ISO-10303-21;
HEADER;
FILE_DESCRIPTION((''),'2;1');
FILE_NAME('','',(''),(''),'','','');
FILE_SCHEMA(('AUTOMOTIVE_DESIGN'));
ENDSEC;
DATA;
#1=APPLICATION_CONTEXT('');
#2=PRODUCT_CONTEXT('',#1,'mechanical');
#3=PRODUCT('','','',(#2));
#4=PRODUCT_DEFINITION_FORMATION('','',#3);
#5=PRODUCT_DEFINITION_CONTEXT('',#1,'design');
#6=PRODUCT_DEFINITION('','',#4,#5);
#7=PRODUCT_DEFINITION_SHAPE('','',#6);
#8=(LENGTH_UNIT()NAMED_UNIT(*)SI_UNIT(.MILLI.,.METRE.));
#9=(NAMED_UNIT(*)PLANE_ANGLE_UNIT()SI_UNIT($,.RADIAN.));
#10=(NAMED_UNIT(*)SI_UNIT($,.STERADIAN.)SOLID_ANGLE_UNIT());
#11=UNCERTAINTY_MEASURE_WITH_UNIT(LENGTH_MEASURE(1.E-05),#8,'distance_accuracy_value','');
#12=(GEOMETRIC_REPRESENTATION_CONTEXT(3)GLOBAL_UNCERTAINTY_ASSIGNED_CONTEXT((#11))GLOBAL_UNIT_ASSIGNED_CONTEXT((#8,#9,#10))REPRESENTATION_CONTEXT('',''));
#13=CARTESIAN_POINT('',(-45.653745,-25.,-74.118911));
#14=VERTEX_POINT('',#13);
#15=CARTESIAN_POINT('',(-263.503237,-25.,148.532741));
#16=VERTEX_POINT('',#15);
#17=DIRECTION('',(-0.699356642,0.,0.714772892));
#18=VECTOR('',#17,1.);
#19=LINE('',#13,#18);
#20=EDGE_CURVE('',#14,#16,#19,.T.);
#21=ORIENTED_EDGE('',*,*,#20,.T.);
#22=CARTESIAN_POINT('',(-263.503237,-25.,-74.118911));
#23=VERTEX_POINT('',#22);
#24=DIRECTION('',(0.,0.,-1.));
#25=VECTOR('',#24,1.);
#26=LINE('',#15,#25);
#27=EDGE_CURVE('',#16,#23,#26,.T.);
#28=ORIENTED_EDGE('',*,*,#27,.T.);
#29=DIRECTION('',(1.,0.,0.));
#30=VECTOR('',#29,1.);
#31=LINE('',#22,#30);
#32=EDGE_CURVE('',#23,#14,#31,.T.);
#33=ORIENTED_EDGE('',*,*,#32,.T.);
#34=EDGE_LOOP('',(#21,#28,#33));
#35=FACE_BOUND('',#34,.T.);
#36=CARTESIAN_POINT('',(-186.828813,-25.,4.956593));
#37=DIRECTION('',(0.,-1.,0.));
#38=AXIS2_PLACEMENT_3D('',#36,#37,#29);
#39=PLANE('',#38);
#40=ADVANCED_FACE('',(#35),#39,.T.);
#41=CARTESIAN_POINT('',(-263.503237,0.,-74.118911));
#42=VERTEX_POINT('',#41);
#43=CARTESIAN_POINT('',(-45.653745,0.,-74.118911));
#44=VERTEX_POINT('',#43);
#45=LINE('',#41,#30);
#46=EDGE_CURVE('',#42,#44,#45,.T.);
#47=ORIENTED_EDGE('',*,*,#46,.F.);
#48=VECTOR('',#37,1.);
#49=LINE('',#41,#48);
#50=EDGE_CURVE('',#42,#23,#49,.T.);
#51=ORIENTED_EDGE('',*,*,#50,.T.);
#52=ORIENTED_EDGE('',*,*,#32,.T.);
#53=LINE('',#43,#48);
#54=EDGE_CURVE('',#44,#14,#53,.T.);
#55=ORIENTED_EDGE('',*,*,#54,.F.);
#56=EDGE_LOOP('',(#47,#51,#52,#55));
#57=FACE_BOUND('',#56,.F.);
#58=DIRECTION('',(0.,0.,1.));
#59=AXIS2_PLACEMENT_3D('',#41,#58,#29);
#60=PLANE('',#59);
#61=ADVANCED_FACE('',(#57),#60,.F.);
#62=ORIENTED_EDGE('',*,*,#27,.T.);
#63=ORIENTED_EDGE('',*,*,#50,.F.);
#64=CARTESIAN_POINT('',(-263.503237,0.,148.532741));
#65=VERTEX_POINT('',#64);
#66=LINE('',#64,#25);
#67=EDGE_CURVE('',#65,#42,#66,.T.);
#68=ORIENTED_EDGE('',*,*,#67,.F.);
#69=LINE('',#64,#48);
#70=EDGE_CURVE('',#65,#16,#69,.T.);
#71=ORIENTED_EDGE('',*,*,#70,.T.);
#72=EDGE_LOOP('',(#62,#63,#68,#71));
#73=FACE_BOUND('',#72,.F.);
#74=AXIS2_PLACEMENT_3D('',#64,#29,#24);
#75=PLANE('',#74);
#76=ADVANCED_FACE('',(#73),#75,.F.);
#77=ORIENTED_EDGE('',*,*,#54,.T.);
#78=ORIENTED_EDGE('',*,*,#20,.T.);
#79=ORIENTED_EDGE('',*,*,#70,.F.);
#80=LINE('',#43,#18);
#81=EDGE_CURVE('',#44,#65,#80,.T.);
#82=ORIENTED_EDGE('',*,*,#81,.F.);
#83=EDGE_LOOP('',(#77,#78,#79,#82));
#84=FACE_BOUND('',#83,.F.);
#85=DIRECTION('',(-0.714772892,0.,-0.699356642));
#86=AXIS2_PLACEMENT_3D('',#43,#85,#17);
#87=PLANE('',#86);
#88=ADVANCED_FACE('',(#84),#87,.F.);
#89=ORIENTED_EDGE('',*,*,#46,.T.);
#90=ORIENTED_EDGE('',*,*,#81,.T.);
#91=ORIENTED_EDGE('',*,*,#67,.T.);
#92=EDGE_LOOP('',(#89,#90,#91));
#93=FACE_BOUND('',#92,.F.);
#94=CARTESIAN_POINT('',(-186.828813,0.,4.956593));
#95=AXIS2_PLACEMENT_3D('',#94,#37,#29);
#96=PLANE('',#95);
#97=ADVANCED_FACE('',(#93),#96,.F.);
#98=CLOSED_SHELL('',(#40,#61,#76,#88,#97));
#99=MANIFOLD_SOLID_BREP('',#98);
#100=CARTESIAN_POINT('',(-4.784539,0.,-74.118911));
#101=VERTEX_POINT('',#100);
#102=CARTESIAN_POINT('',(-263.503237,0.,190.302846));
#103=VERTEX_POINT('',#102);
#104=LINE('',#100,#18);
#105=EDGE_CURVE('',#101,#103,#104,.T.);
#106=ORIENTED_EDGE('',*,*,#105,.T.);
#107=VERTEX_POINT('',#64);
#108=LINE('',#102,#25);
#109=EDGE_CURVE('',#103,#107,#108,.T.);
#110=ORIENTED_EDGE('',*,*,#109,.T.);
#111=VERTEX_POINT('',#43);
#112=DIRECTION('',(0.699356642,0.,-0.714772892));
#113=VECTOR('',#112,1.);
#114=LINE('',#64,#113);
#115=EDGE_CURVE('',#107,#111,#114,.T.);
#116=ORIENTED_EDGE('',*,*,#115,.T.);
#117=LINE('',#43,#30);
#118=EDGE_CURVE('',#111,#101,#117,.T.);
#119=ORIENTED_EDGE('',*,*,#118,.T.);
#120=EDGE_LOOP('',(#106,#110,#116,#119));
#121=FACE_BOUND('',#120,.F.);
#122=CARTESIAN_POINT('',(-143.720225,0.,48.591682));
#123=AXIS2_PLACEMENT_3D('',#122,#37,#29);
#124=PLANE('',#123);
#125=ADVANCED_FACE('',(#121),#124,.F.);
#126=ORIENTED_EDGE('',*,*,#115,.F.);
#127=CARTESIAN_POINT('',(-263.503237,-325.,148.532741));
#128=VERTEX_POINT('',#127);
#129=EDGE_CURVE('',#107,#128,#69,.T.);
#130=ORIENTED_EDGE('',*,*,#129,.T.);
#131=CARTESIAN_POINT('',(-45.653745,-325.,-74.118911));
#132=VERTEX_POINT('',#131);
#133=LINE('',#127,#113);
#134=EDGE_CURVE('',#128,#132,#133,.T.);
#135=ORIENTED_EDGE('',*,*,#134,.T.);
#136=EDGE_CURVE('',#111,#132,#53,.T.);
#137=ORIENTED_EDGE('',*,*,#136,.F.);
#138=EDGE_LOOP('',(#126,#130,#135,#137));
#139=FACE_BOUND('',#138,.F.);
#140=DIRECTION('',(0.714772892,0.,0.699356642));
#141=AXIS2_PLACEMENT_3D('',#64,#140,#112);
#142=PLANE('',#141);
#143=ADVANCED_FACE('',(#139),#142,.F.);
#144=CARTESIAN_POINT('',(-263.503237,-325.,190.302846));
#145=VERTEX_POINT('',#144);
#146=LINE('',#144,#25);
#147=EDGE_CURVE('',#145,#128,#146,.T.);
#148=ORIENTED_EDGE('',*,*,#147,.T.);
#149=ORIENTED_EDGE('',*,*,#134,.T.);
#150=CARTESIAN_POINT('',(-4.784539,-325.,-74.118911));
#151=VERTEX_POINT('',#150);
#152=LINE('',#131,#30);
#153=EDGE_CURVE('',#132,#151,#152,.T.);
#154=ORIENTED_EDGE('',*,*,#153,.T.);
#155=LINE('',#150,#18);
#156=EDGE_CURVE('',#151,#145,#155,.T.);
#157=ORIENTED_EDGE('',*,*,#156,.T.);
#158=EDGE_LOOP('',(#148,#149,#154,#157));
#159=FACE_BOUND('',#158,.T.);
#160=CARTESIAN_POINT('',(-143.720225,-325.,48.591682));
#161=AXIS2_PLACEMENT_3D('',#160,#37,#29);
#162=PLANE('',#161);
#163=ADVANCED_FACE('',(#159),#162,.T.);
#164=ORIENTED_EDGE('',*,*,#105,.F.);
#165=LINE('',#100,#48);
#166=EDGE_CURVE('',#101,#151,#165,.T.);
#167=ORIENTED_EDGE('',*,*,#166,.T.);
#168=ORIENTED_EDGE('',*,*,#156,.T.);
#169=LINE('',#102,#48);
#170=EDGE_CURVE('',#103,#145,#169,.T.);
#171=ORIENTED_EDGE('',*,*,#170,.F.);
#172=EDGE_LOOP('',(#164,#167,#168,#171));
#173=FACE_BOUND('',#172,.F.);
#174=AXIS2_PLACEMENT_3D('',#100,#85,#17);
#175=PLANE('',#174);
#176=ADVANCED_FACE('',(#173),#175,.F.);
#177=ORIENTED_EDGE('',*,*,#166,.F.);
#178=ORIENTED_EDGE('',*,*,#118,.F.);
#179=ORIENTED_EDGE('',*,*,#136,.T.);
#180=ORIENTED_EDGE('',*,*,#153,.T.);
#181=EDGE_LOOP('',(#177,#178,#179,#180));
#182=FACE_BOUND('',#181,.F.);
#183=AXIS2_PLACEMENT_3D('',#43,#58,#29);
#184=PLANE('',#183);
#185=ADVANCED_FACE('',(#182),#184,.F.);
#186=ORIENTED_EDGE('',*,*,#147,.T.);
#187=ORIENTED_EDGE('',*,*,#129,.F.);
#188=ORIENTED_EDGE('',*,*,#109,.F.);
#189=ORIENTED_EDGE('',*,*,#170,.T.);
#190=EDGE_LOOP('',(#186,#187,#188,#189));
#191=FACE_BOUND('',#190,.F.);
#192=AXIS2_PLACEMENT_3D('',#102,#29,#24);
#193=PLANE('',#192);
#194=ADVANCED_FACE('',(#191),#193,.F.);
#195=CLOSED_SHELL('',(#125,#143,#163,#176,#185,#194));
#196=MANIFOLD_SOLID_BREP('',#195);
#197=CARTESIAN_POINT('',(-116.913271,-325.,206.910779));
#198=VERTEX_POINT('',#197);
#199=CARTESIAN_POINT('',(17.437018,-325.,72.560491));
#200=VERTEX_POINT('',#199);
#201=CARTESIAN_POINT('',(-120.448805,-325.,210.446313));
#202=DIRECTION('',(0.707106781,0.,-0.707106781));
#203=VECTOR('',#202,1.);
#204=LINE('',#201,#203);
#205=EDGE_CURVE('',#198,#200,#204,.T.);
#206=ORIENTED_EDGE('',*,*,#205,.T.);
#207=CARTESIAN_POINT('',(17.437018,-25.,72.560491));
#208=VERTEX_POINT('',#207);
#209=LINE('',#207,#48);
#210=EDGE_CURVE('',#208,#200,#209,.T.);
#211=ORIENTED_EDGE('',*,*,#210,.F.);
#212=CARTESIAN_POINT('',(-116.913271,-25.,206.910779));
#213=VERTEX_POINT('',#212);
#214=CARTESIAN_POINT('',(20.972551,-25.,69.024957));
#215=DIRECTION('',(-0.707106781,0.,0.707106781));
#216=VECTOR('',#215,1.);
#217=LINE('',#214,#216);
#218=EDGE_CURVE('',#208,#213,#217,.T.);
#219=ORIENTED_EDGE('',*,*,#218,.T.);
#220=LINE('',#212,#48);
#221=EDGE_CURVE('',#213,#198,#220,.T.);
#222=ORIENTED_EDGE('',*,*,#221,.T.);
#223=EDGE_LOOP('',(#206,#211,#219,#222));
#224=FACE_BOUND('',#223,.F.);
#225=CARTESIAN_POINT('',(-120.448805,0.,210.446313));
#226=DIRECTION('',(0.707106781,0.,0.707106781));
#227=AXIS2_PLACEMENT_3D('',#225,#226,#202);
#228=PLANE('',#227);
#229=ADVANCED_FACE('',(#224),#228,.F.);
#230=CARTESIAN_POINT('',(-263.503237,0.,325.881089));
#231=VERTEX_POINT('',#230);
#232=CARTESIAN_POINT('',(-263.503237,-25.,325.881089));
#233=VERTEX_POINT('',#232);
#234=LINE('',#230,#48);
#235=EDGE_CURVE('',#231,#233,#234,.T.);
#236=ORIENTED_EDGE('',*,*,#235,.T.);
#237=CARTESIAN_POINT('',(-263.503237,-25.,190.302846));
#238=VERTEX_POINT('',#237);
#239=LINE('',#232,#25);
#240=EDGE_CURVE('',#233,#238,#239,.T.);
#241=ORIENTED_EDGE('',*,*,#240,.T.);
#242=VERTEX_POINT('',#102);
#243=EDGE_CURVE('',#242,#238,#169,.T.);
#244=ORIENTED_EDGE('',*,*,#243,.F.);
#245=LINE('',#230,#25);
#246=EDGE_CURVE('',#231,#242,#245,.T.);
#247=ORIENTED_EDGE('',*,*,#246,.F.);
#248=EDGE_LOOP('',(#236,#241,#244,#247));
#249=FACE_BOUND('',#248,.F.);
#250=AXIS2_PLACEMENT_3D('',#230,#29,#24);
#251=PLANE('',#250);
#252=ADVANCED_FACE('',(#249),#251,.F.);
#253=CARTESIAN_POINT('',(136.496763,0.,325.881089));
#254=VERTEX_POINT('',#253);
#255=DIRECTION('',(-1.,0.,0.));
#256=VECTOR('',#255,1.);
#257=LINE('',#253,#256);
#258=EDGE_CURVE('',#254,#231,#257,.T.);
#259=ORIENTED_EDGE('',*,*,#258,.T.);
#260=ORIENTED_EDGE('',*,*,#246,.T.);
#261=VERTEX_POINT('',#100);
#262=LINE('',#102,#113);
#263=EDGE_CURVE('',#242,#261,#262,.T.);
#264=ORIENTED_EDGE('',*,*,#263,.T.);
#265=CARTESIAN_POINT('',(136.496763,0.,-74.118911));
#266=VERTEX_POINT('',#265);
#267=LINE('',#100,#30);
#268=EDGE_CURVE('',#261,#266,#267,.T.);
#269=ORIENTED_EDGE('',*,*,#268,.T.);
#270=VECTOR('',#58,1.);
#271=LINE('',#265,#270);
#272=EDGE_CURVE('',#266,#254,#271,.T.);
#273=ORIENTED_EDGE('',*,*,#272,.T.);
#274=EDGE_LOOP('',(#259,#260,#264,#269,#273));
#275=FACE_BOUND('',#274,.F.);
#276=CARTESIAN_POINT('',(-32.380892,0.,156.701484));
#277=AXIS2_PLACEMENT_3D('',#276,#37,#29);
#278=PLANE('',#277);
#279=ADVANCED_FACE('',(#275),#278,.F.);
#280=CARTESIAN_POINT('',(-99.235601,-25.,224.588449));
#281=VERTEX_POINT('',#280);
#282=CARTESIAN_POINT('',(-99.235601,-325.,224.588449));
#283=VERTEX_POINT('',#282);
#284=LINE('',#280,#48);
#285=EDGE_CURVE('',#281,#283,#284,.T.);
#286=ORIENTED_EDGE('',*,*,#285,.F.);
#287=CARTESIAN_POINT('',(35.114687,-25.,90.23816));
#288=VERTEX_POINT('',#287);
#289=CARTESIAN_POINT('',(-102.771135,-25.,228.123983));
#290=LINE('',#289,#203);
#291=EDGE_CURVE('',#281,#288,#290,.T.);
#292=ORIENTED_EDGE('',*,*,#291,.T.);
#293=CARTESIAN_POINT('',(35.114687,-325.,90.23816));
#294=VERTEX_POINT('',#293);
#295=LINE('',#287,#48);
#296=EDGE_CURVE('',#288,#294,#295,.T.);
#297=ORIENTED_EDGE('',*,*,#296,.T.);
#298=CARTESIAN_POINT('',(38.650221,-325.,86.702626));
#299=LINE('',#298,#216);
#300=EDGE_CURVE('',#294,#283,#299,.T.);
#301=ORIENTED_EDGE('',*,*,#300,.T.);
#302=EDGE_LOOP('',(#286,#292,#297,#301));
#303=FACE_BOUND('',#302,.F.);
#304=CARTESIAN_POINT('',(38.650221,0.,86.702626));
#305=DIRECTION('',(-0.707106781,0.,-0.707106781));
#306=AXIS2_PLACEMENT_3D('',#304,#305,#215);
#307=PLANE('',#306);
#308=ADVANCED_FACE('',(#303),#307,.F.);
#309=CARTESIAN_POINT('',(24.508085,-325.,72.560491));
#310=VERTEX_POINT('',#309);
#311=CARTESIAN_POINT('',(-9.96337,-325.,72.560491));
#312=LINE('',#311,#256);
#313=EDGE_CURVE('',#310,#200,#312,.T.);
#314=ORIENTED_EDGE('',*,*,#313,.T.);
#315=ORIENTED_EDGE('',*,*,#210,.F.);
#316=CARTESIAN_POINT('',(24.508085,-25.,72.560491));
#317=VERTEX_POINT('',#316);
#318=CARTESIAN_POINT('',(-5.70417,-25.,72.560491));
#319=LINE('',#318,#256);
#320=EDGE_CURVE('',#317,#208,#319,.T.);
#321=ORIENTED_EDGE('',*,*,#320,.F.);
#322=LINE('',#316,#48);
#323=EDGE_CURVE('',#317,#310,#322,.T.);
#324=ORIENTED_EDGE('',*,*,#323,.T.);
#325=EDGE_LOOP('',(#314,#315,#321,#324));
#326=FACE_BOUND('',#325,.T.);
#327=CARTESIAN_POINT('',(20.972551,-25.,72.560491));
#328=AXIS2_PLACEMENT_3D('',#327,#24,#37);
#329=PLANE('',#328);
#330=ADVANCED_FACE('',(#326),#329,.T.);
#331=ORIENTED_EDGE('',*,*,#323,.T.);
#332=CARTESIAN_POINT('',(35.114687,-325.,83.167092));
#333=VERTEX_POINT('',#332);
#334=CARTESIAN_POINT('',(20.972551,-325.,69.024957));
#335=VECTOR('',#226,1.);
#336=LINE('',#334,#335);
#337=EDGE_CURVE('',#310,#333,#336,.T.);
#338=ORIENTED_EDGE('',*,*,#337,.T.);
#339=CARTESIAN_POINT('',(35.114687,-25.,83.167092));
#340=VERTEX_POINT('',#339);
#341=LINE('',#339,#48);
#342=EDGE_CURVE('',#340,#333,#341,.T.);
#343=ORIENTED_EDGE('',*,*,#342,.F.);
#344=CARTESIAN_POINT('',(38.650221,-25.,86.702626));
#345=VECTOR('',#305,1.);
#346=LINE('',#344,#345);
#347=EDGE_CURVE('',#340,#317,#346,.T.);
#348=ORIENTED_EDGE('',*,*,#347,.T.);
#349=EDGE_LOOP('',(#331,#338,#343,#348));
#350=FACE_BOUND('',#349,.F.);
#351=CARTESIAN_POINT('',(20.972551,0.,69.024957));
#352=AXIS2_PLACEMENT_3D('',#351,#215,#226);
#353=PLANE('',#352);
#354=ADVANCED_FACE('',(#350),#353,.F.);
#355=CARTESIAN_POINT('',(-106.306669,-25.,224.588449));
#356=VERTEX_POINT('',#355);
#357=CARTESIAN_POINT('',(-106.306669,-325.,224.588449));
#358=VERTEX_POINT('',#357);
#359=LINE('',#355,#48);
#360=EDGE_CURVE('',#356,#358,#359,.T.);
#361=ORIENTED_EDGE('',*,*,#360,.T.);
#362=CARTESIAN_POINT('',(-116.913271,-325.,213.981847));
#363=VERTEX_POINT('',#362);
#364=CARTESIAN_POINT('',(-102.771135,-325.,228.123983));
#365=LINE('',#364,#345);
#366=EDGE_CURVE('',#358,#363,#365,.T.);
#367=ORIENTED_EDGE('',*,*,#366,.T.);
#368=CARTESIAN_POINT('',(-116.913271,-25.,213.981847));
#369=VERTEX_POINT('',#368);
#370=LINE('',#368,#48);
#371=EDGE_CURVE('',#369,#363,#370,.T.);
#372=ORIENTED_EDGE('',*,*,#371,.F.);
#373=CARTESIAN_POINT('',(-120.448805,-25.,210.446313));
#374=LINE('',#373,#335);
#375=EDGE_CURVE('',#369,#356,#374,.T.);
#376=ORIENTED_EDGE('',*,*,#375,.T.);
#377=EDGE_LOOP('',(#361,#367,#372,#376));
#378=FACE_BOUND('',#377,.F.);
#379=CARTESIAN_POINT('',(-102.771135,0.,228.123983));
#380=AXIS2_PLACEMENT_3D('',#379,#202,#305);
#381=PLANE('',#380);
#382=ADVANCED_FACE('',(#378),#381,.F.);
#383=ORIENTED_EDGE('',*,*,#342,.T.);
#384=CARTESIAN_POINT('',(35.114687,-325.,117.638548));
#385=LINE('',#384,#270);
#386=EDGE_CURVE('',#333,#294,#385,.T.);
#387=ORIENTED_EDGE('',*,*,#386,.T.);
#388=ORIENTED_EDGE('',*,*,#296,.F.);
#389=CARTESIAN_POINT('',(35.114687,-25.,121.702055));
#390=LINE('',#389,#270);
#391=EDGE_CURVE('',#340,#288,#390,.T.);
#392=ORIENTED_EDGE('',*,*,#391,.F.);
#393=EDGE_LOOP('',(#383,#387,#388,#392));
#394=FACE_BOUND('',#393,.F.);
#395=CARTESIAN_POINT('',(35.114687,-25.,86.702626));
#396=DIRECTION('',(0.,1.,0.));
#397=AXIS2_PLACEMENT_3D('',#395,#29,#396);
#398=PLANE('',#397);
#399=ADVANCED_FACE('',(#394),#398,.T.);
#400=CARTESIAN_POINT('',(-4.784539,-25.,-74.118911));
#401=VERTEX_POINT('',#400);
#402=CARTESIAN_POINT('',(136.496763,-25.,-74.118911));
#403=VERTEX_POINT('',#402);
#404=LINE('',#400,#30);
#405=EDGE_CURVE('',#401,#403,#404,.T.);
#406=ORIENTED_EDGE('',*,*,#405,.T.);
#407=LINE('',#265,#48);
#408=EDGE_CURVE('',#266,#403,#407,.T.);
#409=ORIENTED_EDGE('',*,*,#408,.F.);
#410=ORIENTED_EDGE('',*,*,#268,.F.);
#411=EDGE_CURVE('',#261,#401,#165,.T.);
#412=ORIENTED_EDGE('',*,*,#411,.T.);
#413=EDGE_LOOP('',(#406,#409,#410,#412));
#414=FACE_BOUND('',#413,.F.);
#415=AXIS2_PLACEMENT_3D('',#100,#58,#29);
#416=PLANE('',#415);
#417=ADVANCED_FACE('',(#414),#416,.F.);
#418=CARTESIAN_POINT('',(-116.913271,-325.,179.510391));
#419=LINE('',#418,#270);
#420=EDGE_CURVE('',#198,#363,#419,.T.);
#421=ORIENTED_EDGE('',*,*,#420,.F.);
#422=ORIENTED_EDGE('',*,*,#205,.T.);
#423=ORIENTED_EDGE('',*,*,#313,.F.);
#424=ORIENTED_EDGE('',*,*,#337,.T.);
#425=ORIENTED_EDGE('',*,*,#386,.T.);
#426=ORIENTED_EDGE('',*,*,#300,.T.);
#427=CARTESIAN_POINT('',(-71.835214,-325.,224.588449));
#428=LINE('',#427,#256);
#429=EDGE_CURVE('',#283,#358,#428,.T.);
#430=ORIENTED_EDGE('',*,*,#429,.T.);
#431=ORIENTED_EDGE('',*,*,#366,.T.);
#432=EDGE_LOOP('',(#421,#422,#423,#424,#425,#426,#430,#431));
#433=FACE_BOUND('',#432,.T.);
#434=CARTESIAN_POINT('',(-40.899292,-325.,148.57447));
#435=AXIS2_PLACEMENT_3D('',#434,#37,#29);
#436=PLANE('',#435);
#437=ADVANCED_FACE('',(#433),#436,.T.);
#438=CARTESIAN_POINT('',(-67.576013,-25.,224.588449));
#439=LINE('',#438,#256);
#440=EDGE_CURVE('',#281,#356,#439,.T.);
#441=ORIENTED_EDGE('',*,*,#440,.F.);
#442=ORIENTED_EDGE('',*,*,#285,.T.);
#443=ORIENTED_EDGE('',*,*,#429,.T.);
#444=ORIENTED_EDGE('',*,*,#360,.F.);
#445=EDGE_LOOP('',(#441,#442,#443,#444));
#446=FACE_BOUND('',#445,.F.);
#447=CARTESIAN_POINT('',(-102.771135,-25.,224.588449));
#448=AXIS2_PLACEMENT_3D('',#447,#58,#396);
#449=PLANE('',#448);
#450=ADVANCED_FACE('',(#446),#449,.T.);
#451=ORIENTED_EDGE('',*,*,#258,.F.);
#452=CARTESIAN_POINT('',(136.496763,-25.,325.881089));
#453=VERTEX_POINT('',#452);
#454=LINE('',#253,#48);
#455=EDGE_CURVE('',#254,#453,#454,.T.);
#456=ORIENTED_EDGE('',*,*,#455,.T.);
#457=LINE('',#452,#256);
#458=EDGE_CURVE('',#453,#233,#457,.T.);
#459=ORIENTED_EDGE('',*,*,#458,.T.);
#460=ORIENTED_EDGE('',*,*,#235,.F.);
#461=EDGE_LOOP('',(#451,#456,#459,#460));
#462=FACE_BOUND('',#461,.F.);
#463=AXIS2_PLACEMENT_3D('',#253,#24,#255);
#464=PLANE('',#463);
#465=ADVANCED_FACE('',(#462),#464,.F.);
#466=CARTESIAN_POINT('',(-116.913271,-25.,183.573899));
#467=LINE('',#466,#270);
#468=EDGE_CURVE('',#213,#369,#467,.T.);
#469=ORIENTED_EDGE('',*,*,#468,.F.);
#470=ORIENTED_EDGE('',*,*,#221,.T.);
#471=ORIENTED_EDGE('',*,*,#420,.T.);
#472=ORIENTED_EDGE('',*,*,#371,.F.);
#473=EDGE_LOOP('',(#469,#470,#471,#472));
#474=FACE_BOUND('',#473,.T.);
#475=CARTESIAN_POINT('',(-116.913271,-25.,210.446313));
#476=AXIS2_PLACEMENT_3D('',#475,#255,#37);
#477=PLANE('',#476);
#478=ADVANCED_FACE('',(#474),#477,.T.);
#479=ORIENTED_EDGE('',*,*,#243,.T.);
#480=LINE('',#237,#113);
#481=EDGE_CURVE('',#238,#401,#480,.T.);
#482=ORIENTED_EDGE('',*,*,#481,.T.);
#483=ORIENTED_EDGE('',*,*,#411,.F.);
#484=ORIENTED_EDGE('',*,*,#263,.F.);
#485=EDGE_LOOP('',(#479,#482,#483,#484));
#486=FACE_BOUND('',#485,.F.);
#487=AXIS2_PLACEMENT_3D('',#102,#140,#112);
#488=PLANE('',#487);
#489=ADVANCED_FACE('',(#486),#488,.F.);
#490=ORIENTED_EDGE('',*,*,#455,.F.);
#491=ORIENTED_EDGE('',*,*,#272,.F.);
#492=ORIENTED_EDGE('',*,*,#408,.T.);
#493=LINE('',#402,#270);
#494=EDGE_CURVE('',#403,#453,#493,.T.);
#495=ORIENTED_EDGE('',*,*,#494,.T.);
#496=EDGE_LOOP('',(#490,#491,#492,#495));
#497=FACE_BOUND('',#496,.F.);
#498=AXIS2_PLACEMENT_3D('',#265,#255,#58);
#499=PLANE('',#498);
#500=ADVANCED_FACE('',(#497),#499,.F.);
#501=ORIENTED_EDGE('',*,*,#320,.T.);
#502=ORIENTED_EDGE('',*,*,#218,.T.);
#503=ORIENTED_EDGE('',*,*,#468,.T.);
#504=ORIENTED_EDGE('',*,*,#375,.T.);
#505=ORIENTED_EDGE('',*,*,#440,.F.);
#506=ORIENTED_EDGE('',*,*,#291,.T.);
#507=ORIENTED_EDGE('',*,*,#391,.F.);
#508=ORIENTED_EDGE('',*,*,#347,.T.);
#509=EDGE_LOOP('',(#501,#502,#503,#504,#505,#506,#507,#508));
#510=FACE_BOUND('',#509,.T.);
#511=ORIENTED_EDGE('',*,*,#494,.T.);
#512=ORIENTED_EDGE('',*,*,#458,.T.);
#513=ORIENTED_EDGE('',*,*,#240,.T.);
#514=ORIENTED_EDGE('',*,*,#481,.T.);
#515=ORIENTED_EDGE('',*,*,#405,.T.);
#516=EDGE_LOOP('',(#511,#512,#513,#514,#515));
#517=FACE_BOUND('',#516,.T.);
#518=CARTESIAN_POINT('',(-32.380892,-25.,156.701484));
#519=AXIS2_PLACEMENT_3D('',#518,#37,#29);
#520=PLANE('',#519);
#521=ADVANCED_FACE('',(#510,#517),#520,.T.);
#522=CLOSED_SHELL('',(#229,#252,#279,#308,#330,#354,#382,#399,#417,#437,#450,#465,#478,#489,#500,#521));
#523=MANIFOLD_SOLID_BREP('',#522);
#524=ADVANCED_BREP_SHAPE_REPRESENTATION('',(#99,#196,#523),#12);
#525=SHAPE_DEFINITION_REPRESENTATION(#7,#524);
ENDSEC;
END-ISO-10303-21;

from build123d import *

# Parameters (mm, degrees)
F1_DEPTH = 25
F2_DEPTH = 325
F3_DEPTH = 325
F4_SIZE  = 5


with BuildPart() as f1:
    # F0 (on Front) → F1 (new body)
    with BuildSketch(Plane.XZ):
        Polygon((136.4967631549, 325.8810894129), (-263.5032368451, 325.8810894129), (-263.5032368451, 190.3028462152), (-4.7845391905, -74.1189105871), (136.4967631549, -74.1189105871), (136.4967631549, -51.7552420497), align=None)
        Polygon((-102.7711352796, 228.1239825229), (38.6502209577, 86.7026262856), (20.972551428, 69.0249567559), (-120.4488048093, 210.4463129933), align=None, mode=Mode.SUBTRACT)
    extrude(amount=F1_DEPTH)

    # F0 (on Front) → F3 (join)
    with BuildSketch(Plane.XZ):
        Polygon((20.972551428, 69.0249567559), (38.6502209577, 86.7026262856), (-102.7711352796, 228.1239825229), (-120.4488048093, 210.4463129933), align=None)
    extrude(amount=F3_DEPTH)

    # F4
    f4_edges = [f1.edges().sort_by_distance(p)[0] for p in [
        (38.650221, -175, 86.702626),
        (20.972551, -175, 69.024957),
        (-102.771135, -175, 228.123983),
        (-120.448805, -175, 210.446313),
    ]]
    chamfer(f4_edges, length=F4_SIZE)


with BuildPart() as f1b:
    # F0 (on Front) → F1, piece 2 (new body)
    with BuildSketch(Plane.XZ):
        Polygon((-152.1320251086, 34.7065203477), (-263.5032368451, 148.5327406076), (-263.5032368451, -74.1189105871), (-45.6537454706, -74.1189105871), align=None)
    extrude(amount=F1_DEPTH)


with BuildPart() as f2:
    # F0 (on Front) → F2 (new body)
    with BuildSketch(Plane.XZ):
        Polygon((-4.7845391905, -74.1189105871), (-263.5032368451, 190.3028462152), (-263.5032368451, 148.5327406076), (-152.1320251086, 34.7065203477), (-45.6537454706, -74.1189105871), align=None)
    extrude(amount=F2_DEPTH)


solid = Compound([f1.part, f1b.part, f2.part])
